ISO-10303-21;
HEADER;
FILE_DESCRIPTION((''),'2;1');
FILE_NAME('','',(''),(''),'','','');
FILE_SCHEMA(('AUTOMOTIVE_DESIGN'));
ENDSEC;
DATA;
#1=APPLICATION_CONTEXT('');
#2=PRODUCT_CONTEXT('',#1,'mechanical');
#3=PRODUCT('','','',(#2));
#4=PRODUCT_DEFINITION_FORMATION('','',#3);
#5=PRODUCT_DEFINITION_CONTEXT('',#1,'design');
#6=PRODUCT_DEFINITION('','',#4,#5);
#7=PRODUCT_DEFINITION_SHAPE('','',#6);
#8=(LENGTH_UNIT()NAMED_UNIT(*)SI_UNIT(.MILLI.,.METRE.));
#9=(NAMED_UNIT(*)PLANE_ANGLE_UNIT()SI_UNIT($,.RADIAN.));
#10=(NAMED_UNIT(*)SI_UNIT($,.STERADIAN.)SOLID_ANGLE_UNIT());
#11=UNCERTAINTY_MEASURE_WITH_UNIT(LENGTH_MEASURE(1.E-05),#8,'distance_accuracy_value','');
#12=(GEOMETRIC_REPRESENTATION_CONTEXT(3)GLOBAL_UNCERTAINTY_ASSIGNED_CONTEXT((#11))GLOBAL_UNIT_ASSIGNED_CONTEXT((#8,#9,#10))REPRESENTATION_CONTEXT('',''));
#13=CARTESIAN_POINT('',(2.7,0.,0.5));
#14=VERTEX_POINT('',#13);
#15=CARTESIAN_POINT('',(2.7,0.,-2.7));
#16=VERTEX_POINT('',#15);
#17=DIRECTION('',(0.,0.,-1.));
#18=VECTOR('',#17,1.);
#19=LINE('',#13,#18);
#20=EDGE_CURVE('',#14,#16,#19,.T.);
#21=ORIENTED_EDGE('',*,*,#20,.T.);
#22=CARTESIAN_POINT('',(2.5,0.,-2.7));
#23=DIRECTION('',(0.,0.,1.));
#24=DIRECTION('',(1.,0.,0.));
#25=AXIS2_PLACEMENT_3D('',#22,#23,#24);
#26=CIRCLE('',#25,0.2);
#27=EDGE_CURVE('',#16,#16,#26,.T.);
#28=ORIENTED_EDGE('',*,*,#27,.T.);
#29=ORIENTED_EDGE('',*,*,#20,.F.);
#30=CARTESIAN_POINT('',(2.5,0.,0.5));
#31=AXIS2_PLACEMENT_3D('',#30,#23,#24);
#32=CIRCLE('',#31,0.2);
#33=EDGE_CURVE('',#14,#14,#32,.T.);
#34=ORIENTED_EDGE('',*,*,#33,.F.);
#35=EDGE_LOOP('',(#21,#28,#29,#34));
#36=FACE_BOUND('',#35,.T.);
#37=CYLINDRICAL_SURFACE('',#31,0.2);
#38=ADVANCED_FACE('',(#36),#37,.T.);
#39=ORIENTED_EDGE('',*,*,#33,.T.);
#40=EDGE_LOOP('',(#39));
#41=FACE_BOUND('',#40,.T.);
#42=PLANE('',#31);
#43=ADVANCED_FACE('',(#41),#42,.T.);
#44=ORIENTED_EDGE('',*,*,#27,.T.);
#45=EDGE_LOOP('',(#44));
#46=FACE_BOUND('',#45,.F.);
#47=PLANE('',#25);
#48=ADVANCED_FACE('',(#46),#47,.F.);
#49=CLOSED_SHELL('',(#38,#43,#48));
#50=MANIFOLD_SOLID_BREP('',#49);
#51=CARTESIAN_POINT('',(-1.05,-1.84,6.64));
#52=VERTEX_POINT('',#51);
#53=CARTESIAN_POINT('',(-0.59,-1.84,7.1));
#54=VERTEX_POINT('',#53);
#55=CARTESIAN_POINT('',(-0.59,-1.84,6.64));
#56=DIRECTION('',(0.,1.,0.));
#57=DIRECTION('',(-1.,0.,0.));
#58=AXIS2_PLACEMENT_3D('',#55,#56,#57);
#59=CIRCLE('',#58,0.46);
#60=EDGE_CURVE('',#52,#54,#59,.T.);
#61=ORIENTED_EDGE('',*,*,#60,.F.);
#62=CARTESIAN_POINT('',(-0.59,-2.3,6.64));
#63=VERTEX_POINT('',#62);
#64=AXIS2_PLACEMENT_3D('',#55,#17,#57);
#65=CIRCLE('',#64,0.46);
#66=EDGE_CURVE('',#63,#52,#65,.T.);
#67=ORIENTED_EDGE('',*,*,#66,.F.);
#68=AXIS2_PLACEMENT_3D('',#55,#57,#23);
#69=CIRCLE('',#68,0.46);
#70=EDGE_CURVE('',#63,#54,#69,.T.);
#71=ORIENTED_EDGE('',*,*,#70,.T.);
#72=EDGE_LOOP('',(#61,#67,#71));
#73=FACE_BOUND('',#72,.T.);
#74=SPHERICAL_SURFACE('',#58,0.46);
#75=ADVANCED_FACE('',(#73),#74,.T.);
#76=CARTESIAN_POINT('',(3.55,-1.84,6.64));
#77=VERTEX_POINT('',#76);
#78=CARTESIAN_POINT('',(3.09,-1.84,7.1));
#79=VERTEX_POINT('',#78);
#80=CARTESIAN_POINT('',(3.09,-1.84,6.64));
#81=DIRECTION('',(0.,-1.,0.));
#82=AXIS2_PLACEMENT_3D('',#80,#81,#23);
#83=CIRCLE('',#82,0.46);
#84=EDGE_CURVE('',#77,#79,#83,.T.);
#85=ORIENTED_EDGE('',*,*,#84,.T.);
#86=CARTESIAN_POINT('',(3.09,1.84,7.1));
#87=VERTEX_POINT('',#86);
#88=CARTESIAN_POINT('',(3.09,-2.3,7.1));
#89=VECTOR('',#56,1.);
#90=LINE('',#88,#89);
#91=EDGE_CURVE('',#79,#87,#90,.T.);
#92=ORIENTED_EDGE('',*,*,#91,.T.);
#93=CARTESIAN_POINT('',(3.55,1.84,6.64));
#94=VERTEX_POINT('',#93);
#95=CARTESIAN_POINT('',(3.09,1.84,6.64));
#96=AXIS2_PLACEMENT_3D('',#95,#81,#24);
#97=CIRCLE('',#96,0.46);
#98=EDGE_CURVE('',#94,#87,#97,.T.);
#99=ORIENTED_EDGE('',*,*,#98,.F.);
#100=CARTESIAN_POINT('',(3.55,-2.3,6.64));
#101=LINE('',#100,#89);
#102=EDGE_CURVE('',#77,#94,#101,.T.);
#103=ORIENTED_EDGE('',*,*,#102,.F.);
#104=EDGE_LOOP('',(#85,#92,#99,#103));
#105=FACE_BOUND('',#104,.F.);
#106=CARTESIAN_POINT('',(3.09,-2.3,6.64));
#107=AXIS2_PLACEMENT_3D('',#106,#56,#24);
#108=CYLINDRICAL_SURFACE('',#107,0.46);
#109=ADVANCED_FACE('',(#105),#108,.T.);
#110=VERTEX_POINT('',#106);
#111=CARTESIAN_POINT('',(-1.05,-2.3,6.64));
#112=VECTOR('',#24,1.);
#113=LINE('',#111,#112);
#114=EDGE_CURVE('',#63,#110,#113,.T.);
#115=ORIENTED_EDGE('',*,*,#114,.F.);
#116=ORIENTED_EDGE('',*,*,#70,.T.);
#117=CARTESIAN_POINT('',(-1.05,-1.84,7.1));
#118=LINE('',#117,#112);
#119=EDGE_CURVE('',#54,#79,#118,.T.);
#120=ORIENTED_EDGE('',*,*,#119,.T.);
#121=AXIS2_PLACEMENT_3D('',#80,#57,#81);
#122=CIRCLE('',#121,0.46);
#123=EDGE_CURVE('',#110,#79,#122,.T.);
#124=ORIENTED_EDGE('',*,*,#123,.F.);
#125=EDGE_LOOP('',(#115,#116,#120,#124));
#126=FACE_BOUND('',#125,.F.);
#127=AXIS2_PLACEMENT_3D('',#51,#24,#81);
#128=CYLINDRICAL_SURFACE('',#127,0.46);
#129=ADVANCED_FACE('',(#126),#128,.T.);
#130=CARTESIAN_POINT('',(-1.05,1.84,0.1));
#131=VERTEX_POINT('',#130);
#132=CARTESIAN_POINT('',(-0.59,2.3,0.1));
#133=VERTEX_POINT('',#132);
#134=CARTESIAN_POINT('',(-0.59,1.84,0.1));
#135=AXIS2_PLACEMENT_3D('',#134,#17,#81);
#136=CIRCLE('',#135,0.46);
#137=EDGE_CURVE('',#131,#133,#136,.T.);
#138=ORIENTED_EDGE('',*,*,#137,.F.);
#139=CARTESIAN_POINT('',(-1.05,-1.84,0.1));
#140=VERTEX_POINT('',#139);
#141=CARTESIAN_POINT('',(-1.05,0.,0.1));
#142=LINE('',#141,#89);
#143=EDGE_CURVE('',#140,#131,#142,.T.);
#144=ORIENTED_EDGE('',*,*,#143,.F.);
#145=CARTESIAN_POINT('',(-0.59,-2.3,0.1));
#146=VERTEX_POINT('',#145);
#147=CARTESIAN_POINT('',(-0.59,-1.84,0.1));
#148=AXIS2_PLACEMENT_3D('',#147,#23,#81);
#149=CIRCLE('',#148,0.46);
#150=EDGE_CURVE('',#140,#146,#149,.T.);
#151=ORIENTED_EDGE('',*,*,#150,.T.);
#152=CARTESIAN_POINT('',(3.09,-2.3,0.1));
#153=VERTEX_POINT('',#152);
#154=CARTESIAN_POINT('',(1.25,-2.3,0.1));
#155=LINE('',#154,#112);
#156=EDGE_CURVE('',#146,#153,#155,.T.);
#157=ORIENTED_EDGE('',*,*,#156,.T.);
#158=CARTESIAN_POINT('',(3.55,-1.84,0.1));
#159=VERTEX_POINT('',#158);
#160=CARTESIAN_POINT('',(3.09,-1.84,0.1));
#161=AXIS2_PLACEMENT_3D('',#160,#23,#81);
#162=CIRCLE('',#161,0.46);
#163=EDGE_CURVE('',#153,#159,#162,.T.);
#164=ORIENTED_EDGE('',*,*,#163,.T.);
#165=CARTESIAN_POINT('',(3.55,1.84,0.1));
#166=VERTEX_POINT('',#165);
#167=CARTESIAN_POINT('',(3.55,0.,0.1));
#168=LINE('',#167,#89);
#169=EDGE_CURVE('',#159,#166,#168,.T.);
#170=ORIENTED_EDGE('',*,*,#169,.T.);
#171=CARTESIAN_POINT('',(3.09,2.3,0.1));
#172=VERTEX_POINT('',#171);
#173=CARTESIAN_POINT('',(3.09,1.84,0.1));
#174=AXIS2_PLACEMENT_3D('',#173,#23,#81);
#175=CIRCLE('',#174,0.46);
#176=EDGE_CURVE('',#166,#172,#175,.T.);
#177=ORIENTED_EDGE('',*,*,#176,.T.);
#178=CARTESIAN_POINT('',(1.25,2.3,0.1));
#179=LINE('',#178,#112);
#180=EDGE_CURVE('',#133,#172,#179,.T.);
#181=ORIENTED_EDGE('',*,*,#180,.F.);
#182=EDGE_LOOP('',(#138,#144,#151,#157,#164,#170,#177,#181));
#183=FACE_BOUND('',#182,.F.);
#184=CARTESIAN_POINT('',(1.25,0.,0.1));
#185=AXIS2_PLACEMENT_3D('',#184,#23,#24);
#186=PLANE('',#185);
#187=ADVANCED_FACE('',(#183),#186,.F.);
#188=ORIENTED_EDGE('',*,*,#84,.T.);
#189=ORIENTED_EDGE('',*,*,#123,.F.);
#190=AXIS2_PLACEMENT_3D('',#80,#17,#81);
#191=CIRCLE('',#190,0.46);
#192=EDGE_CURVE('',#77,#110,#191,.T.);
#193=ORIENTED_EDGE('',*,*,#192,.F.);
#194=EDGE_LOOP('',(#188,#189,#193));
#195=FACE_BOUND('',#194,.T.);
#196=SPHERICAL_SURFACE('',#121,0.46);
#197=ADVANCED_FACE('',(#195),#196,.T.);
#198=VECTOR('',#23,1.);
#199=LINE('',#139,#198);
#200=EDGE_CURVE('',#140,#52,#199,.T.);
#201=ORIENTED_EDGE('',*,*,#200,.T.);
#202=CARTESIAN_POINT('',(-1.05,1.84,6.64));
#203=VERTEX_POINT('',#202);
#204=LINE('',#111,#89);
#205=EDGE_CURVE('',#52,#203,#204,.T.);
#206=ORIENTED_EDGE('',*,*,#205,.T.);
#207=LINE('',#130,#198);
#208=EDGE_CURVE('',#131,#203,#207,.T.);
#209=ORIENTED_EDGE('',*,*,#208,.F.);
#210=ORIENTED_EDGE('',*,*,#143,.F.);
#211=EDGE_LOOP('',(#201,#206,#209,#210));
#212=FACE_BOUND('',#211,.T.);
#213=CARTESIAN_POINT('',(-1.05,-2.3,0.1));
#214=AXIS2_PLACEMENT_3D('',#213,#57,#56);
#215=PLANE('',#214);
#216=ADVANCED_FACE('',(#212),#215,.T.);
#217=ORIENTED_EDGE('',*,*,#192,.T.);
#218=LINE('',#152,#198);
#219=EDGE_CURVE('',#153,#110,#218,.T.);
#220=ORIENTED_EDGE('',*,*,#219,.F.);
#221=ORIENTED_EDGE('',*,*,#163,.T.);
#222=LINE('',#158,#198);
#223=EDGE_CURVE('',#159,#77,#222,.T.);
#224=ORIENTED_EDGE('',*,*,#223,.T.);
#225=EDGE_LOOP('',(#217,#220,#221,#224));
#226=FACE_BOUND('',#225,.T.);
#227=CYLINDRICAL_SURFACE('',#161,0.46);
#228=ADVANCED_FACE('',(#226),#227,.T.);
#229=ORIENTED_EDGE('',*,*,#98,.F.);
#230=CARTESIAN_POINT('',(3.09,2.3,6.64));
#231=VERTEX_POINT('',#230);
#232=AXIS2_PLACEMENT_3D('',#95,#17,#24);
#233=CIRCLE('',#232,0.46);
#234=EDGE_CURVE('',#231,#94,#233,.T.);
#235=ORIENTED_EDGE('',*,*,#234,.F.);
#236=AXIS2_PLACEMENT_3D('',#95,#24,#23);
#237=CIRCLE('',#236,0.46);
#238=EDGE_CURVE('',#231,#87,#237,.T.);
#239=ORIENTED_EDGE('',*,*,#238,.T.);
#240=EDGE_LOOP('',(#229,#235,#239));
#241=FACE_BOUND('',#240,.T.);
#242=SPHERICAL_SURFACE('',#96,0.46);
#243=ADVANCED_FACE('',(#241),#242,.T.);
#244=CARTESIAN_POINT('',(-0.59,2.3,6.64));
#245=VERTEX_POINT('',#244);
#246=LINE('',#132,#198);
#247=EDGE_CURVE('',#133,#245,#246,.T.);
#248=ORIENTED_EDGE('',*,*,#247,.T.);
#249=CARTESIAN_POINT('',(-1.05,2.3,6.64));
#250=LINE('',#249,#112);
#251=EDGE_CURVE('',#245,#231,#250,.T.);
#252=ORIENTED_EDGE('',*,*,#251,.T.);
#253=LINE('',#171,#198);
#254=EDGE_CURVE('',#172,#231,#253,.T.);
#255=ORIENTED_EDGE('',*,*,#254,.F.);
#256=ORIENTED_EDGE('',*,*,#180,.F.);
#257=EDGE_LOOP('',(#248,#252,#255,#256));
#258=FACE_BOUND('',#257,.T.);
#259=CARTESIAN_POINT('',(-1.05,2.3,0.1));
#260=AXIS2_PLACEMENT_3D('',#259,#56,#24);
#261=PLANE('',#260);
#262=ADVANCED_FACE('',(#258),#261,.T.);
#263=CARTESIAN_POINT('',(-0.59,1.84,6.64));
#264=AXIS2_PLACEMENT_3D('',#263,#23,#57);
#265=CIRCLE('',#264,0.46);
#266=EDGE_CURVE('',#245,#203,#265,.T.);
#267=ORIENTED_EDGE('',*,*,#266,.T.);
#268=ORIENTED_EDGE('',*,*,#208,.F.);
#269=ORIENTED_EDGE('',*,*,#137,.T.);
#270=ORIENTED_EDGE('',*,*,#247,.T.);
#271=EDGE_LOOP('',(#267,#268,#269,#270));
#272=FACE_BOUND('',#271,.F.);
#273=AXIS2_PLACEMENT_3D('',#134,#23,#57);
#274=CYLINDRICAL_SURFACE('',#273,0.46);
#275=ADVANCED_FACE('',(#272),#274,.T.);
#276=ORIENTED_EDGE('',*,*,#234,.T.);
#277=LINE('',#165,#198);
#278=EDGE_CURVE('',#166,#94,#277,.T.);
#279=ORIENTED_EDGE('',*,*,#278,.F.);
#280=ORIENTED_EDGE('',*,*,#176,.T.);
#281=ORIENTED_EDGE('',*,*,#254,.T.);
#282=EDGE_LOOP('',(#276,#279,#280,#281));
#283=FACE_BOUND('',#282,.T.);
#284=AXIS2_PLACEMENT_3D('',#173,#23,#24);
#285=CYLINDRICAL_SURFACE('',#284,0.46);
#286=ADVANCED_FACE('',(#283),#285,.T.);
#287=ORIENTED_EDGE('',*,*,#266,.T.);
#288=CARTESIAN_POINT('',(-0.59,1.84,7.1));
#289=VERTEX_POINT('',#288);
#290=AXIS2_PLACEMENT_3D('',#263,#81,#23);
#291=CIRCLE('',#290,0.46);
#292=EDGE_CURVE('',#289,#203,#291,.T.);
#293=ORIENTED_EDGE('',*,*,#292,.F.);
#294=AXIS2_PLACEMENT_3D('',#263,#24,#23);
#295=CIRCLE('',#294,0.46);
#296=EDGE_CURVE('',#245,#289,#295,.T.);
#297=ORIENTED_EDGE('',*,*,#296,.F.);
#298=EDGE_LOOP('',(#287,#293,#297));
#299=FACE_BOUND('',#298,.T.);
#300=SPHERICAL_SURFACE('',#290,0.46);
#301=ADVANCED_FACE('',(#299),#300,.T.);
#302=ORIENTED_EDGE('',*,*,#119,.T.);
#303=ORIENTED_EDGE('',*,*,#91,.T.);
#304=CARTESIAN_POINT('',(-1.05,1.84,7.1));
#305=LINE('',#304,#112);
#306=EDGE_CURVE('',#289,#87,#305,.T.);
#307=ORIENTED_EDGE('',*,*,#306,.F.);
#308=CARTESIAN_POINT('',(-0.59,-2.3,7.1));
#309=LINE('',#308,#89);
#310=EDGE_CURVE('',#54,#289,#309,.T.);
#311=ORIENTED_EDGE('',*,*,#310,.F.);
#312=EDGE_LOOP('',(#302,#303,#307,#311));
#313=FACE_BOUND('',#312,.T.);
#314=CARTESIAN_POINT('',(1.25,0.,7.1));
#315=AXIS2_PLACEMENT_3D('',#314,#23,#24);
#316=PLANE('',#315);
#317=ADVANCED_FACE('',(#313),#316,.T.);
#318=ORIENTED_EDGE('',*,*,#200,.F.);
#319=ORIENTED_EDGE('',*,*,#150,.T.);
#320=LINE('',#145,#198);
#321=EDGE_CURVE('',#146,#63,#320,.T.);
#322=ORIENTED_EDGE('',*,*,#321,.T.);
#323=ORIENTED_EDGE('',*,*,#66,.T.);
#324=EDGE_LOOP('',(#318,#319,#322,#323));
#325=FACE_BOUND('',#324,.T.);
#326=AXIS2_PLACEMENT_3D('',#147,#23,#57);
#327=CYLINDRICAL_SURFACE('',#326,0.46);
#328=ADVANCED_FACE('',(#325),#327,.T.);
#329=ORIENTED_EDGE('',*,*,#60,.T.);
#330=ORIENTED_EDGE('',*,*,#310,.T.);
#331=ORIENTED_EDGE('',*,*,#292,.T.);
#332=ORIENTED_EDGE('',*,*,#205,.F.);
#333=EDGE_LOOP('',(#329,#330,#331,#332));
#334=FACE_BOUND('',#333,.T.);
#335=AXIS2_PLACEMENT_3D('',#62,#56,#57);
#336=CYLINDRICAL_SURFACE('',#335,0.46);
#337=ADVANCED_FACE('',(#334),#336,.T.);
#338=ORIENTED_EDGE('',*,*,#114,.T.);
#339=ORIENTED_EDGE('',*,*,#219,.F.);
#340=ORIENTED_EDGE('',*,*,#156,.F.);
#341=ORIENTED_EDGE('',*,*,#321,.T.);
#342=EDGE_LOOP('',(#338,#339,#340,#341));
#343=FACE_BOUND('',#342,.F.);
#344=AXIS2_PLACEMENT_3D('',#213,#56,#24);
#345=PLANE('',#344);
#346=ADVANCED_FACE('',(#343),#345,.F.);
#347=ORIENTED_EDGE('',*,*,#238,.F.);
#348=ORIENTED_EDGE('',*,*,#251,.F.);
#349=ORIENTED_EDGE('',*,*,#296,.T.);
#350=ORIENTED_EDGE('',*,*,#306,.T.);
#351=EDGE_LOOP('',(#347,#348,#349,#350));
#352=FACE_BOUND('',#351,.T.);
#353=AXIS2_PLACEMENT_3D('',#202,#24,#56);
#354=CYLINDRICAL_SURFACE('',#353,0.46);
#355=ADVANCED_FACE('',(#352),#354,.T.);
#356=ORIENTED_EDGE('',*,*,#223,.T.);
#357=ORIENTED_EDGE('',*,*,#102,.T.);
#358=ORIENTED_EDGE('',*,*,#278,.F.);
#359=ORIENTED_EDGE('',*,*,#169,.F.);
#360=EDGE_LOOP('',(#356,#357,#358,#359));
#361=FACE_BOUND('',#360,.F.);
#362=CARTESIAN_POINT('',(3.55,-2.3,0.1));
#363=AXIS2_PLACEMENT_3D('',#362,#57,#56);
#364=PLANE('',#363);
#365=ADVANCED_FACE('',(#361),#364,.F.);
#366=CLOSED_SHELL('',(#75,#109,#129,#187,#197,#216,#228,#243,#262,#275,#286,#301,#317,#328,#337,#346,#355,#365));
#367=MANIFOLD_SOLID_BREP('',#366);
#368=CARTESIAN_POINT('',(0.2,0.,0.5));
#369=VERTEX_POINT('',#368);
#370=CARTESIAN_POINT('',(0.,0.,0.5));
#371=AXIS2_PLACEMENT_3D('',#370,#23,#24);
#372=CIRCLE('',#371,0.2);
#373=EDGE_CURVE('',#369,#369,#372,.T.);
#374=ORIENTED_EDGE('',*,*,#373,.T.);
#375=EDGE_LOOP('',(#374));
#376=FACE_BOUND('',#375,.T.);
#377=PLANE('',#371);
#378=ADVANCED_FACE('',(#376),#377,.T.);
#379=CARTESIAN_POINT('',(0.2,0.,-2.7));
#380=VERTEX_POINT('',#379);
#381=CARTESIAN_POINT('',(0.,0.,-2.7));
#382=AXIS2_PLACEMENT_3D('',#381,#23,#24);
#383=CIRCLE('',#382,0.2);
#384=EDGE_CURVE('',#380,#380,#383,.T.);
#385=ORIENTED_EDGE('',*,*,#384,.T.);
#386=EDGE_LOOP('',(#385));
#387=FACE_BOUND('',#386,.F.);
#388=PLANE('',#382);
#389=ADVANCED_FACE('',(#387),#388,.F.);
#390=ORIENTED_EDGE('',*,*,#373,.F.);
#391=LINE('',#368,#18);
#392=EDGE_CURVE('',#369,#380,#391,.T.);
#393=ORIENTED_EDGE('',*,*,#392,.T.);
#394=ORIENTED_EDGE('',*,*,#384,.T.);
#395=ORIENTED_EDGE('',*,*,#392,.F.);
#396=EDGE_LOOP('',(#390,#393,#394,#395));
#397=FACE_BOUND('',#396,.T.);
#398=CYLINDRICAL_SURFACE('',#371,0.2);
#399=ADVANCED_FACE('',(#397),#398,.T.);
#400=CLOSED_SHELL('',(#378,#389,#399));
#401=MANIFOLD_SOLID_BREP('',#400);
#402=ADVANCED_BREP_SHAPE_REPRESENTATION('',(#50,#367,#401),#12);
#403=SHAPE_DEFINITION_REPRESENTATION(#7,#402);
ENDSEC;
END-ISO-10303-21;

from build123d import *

# Parameters (mm, degrees)
SKETCH_W     = 4.6
SKETCH_H     = 4.6
PAD_DEPTH    = 7
FILLET_R     = 0.46
SKETCH001_R  = 0.2
PAD001_DEPTH = 3.2


with BuildPart() as fillet_body:
    # Sketch → Pad (new body)
    with BuildSketch(Plane.XY.offset(0.1)):
        with Locations((1.25, 0)):
            Rectangle(SKETCH_W, SKETCH_H)
    extrude(amount=PAD_DEPTH)

    # Fillet
    fillet_edges = [fillet_body.edges().sort_by_distance(p)[0] for p in [
        (-1.05, 0, 7.1),
        (-1.05, -2.3, 3.6),
        (1.25, -2.3, 7.1),
        (3.55, -2.3, 3.6),
        (3.55, 0, 7.1),
        (3.55, 2.3, 3.6),
        (1.25, 2.3, 7.1),
        (-1.05, 2.3, 3.6),
    ]]
    fillet(fillet_edges, radius=FILLET_R)


with BuildPart() as pad001:
    # Sketch001 → Pad001 (new body)
    with BuildSketch(Plane.XY.offset(0.5)):
        Circle(SKETCH001_R)
        with Locations((2.5, 0)):
            Circle(SKETCH001_R)
    extrude(amount=-PAD001_DEPTH)


solid = Compound([fillet_body.part, pad001.part])
